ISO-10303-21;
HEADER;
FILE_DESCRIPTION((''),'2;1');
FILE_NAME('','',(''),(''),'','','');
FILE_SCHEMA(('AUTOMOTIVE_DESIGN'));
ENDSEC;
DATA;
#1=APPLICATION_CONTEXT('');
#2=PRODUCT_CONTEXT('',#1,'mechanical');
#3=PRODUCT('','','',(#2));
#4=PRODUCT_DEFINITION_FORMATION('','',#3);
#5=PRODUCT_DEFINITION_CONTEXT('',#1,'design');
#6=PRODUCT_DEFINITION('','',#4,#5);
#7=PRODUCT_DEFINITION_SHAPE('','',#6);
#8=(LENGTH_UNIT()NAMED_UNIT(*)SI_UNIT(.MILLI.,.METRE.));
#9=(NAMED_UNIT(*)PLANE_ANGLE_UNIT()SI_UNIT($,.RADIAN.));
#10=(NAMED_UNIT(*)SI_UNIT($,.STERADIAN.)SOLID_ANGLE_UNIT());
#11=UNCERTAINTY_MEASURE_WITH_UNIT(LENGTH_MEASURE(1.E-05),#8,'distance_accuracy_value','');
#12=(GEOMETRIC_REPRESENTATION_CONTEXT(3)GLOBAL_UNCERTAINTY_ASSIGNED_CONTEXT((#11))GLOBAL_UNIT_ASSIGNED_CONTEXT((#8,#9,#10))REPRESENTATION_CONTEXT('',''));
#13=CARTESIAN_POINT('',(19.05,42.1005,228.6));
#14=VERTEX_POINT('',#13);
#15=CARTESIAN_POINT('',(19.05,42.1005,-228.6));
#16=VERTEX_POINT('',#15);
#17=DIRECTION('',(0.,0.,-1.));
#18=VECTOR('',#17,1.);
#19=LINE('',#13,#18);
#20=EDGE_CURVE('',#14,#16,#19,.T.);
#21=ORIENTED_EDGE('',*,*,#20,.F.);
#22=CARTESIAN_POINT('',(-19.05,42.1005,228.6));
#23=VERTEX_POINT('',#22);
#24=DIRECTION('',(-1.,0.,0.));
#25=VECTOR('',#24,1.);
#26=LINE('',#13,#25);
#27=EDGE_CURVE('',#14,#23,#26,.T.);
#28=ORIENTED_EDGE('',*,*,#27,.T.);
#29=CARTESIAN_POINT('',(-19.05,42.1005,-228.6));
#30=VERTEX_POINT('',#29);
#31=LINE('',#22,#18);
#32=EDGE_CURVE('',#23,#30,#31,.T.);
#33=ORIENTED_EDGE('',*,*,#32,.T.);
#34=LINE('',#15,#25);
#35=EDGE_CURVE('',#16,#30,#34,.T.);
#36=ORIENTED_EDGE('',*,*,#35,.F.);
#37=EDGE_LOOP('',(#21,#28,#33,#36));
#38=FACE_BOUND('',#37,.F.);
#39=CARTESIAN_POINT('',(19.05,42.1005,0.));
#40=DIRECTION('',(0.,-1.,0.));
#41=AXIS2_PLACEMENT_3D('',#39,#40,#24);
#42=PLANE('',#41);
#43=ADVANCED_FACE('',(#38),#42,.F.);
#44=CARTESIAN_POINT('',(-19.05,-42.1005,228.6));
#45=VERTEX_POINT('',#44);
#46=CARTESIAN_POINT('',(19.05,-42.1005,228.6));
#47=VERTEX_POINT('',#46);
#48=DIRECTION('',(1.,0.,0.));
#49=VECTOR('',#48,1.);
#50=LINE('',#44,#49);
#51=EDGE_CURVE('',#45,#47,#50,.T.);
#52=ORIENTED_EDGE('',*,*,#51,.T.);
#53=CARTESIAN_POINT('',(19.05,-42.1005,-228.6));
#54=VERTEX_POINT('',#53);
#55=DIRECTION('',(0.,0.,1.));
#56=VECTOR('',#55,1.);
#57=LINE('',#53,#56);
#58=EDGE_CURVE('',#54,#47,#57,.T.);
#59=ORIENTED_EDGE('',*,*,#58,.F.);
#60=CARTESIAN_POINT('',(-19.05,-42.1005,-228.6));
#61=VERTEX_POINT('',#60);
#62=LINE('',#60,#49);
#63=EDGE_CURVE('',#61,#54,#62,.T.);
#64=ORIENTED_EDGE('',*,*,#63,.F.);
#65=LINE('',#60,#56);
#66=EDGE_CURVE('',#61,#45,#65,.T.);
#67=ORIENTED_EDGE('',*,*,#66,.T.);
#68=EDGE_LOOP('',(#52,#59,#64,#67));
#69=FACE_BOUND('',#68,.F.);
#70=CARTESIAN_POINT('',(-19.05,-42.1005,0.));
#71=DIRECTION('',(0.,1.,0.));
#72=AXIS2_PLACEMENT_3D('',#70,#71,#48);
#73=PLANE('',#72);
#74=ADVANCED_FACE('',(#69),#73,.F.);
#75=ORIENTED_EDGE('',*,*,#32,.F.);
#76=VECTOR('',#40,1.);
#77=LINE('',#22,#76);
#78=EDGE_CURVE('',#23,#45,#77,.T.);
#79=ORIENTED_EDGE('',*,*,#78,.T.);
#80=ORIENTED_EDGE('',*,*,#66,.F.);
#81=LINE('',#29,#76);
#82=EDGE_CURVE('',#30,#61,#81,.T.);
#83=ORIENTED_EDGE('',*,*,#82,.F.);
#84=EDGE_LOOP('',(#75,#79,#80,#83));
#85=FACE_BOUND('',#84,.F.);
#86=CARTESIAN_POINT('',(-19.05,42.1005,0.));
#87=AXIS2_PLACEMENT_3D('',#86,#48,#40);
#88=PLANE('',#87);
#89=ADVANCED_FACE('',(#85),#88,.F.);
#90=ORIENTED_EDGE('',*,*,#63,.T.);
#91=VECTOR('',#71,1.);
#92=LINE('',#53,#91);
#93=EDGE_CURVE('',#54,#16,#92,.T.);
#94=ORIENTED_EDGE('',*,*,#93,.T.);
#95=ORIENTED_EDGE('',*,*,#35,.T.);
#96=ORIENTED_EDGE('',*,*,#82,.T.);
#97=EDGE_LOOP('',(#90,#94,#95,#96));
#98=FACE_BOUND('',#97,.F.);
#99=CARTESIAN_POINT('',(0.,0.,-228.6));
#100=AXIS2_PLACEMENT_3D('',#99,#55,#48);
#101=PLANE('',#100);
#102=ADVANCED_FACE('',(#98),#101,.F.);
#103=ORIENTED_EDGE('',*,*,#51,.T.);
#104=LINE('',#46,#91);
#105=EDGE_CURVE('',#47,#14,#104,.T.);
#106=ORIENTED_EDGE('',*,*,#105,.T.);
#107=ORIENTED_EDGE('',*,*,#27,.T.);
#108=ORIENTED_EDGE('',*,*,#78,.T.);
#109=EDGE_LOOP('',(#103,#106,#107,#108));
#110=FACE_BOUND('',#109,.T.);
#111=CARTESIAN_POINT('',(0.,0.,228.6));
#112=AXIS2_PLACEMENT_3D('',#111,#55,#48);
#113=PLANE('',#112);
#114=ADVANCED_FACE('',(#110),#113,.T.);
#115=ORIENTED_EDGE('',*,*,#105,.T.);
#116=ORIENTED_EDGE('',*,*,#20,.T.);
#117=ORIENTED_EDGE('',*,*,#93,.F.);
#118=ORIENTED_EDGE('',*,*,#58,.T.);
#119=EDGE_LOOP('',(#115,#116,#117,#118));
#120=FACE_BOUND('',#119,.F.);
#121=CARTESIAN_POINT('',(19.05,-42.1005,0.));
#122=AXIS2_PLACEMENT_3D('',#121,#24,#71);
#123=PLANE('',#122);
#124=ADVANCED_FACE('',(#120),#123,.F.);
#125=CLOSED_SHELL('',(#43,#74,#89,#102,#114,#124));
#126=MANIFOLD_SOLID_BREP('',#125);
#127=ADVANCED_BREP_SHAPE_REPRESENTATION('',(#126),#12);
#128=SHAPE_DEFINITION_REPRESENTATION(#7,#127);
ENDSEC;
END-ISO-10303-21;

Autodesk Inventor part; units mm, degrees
ref_plane "YZ Plane" through (0, 0, 0) normal (1, 0, 0) x (0, 1, 0)
ref_plane "XZ Plane" through (0, 0, 0) normal (0, 1, 0) x (-1, 0, 0)
ref_plane "XY Plane" through (0, 0, 0) normal (0, 0, 1) x (1, 0, 0)
sketch "Sketch1" plane through (0, 0, 0) normal (0, 0, 1) x (1, 0, 0)
  line L0 (-19.05, -42.1005) -> (19.05, -42.1005)
  line L1 (19.05, -42.1005) -> (19.05, 42.1005)
  line L2 (19.05, 42.1005) -> (-19.05, 42.1005)
  line L3 (-19.05, 42.1005) -> (-19.05, -42.1005)
  line L4 (-19.05, -42.1005) -> (19.05, 42.1005) construction
  line L5 (19.05, -42.1005) -> (-19.05, 42.1005) construction
  point P0 (0, 0)
  dimension "d0" = 84.201
  dimension "d1" = 38.1
extrude "Extrusion1" add sketch "Sketch1" along normal mid plane 457.2
equation "\"d0\" = depth"
equation "\"d1\" = width"
equation "\"d2\" = length"
equation "\"width\" = 38.1"
equation "\"depth\" = 84.201"
equation "\"length\" = 457.2"
properties part number "2x4GarageMountPoint"
